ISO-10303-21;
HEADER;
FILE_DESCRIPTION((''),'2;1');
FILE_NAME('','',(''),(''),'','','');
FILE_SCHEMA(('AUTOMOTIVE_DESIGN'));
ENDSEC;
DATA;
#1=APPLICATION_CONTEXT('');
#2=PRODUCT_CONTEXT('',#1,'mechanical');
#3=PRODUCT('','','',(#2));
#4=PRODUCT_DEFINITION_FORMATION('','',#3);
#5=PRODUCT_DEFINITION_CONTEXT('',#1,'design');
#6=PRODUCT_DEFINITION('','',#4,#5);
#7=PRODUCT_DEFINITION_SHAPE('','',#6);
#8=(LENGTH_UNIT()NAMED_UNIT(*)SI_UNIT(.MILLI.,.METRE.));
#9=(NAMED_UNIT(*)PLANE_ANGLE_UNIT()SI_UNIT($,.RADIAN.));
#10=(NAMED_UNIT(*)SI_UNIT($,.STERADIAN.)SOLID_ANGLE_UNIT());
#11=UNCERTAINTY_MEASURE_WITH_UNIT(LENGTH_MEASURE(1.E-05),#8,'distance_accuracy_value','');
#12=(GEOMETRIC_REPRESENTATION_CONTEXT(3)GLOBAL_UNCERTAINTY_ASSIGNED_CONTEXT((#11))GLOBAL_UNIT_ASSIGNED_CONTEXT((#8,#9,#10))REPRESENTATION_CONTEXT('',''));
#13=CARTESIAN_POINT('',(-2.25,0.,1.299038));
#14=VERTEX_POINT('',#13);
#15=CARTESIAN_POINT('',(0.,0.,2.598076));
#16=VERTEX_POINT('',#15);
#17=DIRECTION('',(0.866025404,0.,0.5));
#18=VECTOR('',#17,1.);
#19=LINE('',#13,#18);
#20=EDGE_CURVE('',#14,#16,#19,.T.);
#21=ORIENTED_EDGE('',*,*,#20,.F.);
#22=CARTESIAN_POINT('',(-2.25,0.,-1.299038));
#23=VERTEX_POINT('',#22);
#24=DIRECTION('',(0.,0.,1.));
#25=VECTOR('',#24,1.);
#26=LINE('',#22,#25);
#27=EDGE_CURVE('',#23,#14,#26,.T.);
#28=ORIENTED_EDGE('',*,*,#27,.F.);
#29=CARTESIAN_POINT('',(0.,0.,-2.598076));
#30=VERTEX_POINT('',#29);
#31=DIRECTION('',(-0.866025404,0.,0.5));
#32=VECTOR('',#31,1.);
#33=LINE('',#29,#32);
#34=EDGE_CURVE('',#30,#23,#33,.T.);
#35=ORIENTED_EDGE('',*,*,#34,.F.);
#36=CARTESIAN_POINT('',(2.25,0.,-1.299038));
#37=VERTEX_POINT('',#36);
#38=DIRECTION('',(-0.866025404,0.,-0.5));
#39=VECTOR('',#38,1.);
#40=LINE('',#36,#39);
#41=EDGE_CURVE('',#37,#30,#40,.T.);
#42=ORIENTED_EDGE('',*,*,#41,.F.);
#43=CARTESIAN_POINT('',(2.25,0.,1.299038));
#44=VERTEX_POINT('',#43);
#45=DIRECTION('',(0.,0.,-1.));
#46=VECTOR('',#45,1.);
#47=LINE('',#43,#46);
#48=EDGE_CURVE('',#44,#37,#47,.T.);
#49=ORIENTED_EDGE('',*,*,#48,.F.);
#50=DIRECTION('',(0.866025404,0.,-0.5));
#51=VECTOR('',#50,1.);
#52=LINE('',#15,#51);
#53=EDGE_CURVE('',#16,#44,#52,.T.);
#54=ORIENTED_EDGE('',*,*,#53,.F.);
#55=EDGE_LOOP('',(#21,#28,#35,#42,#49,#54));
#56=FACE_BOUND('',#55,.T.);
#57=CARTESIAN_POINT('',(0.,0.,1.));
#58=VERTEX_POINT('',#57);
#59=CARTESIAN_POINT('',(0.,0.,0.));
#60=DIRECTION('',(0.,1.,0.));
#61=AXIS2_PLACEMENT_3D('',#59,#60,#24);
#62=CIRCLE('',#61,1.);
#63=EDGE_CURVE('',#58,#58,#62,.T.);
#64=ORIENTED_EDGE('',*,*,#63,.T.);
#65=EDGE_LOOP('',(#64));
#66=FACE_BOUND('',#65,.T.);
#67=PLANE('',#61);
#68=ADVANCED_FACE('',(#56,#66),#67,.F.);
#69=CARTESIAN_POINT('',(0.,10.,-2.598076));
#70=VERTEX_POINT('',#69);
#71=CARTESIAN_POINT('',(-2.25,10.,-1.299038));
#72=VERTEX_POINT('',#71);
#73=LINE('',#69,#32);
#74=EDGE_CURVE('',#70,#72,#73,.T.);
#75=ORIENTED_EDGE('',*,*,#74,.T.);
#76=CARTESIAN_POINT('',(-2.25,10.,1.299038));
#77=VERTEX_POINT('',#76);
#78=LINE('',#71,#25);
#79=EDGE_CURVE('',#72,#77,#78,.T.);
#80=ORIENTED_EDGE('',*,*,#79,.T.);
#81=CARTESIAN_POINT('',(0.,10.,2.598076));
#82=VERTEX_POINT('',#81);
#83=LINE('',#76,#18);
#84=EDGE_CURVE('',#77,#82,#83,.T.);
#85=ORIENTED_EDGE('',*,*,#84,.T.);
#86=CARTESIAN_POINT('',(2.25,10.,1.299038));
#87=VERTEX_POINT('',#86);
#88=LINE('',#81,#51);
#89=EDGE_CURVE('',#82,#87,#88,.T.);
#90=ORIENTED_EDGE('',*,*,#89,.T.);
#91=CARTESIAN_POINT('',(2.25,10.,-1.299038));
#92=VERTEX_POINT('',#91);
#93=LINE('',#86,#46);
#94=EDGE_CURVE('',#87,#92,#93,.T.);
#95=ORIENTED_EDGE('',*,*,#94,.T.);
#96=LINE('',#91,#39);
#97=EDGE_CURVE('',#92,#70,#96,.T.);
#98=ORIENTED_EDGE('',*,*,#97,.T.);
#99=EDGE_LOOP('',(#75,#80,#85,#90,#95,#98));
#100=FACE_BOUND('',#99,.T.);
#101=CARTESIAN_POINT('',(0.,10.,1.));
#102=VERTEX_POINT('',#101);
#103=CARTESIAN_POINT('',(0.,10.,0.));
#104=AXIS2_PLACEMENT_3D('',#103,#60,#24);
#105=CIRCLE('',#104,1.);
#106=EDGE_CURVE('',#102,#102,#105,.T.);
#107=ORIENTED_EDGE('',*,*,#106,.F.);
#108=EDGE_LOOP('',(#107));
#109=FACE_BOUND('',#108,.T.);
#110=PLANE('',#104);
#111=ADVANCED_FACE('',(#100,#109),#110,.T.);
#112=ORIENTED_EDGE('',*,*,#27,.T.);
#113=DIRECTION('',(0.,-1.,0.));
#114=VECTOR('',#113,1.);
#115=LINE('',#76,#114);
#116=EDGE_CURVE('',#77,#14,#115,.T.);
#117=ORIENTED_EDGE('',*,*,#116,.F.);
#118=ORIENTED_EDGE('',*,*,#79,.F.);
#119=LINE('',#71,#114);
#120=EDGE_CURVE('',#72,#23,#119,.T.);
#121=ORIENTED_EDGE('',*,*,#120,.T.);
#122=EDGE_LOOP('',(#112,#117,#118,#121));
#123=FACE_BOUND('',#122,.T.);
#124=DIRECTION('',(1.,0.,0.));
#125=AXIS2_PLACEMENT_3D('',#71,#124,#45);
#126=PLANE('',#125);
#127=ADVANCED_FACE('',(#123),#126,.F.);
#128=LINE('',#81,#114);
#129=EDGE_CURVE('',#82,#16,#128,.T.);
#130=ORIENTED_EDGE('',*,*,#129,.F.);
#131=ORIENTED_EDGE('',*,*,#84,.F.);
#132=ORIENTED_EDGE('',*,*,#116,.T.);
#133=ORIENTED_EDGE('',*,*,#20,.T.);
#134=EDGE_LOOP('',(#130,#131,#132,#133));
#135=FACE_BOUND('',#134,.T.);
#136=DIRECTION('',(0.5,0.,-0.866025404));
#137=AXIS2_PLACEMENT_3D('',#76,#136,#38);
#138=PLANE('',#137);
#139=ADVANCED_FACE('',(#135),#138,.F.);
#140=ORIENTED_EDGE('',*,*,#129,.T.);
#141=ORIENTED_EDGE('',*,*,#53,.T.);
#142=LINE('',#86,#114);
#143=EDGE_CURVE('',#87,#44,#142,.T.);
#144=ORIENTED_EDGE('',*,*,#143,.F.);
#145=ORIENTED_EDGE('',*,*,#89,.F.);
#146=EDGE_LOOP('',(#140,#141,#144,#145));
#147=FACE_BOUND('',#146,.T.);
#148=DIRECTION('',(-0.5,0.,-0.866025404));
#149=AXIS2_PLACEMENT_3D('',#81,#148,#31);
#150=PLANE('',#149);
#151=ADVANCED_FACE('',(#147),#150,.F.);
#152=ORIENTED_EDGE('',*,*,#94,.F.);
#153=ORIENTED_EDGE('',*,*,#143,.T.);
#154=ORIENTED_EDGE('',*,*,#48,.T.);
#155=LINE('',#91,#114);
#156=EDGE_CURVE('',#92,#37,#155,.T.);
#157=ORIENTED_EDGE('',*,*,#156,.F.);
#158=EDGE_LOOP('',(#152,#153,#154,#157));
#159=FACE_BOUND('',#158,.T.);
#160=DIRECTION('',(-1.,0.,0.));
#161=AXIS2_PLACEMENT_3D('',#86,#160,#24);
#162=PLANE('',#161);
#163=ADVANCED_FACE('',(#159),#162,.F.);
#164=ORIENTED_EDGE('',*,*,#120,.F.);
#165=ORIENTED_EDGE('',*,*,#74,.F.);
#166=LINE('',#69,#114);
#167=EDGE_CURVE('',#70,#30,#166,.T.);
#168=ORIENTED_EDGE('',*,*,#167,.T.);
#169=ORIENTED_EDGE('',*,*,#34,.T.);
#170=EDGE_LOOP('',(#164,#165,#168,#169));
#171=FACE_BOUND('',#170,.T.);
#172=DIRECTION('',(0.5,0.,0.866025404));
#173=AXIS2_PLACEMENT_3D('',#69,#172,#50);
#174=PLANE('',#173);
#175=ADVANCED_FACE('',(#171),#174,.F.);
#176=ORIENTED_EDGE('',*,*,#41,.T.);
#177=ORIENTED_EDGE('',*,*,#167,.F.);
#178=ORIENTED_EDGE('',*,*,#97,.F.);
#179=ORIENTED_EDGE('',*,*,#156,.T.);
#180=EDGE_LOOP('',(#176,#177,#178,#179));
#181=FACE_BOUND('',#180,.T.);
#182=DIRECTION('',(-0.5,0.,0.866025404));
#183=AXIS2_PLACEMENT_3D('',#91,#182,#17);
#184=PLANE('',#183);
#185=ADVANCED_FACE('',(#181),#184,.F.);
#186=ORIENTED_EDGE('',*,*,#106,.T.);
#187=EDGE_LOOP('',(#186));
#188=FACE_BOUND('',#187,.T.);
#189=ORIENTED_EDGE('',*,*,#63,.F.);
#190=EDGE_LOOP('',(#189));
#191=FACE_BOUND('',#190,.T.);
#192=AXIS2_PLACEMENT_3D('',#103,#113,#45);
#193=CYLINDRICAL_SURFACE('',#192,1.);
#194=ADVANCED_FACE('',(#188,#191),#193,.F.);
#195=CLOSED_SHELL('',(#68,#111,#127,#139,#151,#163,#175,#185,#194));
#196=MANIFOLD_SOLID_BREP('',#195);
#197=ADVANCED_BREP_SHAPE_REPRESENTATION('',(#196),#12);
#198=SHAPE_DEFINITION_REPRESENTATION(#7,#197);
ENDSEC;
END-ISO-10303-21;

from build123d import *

# Parameters (mm, degrees)
SKETCH1_R           = 1
BOSS_EXTRUDE1_DEPTH = 10


with BuildPart() as part:
    # Sketch1 → Boss-Extrude1 (new body)
    with BuildSketch(Plane(origin=(0, 0, 0), x_dir=(1, 0, 0), z_dir=(0, 1, 0))):
        Polygon((0, 2.598076211), (-2.25, 1.299038106), (-2.25, -1.299038106), (0, -2.598076211), (2.25, -1.299038106), (2.25, 1.299038106), align=None)
        with Locations(Location((0, 0, 0), (0, 0, 270))):
            Circle(SKETCH1_R, mode=Mode.SUBTRACT)
    extrude(amount=BOSS_EXTRUDE1_DEPTH)


solid = part.part
